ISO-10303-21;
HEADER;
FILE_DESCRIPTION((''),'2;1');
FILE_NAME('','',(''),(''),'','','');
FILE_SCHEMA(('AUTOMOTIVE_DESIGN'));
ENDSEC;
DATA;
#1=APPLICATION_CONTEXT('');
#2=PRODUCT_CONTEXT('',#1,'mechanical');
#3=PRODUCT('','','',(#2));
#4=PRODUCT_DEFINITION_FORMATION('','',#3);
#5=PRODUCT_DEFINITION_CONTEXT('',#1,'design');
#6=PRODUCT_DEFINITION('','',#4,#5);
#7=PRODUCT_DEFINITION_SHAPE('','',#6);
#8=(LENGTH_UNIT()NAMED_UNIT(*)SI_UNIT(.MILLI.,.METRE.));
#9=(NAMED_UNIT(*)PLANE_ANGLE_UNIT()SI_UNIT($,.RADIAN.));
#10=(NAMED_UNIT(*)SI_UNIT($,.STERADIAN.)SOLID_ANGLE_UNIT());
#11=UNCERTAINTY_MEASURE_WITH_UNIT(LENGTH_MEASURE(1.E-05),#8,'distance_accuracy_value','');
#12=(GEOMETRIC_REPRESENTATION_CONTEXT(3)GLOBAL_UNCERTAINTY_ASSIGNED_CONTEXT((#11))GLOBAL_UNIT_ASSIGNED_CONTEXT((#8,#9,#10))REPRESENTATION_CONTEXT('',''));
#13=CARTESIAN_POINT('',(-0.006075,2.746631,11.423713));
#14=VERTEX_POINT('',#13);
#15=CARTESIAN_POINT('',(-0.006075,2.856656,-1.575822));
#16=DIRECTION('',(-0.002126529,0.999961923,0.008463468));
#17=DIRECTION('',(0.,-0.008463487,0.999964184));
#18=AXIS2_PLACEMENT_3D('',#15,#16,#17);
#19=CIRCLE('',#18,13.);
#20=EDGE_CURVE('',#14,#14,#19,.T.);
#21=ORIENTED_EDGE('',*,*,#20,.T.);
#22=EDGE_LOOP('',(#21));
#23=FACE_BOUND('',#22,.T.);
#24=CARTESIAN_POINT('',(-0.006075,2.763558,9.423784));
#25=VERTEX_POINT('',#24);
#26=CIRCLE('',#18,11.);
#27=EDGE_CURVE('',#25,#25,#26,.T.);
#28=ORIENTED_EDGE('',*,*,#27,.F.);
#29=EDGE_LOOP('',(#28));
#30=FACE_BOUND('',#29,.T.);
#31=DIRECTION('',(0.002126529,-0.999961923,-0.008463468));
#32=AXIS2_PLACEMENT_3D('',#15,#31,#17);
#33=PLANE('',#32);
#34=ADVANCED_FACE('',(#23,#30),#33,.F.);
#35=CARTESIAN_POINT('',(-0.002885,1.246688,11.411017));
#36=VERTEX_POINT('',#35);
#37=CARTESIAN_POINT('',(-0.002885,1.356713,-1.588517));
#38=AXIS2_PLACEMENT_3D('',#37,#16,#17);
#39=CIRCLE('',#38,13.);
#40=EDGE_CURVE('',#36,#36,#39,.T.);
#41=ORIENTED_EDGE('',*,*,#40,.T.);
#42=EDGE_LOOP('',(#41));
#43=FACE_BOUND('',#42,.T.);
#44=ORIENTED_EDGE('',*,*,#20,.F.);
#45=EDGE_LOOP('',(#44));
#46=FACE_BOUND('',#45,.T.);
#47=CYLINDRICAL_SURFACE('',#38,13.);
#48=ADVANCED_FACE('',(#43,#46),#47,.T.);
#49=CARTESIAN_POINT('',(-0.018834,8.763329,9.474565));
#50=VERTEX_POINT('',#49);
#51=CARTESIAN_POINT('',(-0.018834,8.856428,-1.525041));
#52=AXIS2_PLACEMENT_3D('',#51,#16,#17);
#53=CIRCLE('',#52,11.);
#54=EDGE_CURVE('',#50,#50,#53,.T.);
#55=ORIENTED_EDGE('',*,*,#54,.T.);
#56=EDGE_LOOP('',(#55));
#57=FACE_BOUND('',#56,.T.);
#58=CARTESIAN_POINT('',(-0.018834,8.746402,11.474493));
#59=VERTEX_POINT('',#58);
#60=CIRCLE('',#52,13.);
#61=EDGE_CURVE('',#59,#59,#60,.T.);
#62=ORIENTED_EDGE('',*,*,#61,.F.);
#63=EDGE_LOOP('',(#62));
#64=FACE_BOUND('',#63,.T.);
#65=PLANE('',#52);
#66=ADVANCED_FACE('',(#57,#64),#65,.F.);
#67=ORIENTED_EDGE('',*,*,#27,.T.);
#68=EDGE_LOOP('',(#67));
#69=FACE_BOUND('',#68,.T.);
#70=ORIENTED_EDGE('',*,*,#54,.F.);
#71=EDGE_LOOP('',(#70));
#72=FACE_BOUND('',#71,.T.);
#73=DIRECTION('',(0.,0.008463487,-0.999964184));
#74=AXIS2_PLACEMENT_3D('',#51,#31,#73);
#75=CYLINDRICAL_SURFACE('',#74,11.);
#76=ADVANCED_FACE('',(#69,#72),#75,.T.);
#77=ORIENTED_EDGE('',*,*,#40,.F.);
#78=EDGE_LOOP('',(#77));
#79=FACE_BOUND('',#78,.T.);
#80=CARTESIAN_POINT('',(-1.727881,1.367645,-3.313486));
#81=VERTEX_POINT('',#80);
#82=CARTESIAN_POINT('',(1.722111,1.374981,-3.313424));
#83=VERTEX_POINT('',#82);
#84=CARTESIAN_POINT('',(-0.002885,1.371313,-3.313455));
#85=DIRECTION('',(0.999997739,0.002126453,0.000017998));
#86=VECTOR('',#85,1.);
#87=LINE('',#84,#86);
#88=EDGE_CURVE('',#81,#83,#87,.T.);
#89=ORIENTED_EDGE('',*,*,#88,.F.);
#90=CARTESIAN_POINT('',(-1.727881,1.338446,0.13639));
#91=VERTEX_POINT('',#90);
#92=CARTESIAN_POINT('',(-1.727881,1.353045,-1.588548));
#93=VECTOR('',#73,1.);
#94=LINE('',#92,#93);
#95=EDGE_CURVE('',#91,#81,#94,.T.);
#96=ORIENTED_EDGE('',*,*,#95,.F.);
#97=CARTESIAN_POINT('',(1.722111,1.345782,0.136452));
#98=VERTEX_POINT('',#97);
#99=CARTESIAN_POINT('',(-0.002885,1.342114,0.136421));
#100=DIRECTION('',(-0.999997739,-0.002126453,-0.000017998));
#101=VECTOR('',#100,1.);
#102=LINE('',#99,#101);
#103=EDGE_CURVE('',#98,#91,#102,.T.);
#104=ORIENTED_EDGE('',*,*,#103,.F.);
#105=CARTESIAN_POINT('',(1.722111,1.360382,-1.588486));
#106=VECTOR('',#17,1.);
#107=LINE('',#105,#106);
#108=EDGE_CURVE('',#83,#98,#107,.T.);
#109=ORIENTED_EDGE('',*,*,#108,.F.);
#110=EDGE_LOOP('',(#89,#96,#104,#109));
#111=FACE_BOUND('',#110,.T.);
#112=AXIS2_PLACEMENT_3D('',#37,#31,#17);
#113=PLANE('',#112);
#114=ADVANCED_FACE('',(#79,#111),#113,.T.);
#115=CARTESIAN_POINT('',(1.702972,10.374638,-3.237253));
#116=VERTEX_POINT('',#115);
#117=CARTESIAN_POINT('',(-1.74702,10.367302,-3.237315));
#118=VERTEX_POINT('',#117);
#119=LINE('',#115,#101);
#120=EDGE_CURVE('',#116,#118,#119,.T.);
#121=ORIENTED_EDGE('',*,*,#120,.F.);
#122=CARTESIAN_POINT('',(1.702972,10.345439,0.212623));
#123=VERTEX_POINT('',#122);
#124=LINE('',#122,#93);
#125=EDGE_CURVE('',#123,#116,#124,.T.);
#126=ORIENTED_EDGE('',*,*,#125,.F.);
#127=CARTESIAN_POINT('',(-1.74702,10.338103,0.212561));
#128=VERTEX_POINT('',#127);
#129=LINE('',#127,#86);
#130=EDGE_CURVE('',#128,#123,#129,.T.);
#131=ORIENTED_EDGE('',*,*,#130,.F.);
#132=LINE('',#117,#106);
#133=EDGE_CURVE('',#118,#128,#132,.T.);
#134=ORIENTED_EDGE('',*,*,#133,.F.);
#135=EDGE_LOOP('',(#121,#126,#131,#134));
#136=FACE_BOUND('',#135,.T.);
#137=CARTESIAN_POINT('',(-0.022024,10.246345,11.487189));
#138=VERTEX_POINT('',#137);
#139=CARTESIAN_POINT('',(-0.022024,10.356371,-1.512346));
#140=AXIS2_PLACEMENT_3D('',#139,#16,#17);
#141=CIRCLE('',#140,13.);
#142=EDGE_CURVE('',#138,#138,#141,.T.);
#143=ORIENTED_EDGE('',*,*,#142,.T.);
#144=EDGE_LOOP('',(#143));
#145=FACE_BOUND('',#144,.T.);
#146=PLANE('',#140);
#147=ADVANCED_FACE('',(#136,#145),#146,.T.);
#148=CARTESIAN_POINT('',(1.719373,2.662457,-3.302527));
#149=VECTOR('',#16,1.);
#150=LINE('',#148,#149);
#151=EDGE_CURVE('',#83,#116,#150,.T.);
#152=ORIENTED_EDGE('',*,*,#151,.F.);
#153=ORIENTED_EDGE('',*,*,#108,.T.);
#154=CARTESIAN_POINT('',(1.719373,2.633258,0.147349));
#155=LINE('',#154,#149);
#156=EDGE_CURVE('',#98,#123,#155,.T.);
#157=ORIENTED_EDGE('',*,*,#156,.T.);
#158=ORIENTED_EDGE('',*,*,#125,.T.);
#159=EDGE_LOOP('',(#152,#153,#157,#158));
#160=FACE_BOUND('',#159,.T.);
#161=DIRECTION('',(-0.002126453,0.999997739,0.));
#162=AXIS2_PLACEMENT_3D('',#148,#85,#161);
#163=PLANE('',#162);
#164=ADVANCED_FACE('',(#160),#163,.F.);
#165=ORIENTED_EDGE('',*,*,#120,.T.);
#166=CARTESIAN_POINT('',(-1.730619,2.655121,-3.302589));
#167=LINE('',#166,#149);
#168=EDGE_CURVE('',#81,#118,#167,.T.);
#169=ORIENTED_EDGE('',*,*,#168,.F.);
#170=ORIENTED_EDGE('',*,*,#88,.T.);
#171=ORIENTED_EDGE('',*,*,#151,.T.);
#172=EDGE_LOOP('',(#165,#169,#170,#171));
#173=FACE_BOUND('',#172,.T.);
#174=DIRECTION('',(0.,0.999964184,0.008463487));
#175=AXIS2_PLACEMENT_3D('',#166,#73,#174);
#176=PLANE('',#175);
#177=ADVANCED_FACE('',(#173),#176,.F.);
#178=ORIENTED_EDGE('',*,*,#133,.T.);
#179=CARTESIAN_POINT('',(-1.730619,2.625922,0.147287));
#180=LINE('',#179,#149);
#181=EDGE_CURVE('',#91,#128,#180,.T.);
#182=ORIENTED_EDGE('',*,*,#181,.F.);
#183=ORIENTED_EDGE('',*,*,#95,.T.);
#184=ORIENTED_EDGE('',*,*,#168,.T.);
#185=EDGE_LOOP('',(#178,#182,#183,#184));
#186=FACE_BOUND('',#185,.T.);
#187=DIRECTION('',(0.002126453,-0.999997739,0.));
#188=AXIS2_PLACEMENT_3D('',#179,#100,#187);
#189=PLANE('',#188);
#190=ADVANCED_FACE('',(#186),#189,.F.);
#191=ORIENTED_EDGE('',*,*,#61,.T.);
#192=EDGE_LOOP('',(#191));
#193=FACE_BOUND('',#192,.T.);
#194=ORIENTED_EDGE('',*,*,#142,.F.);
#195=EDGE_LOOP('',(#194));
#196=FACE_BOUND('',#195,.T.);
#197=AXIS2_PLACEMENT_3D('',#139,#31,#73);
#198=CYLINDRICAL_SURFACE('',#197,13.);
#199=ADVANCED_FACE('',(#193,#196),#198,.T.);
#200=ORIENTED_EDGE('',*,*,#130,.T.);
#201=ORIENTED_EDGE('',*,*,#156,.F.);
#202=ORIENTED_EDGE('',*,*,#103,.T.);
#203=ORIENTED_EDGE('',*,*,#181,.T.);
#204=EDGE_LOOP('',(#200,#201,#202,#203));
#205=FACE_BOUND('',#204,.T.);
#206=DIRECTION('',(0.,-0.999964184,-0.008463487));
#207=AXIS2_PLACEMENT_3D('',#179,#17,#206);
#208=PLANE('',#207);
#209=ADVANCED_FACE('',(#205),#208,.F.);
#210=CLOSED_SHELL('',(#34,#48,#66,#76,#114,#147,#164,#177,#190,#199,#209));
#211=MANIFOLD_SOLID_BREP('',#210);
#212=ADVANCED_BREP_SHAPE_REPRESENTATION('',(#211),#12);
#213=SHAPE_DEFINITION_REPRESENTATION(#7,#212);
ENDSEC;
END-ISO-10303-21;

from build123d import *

# Parameters (mm, degrees)
SKETCH2_R           = 11
BOSS_EXTRUDE1_DEPTH = 6
SKETCH3_W           = 3.45
SKETCH3_H           = 3.45
CUT_EXTRUDE1_DEPTH  = 18.841034143
SKETCH4_R           = 13
BOSS_EXTRUDE2_DEPTH = 1.5
SKETCH5_W           = 3.45
SKETCH5_H           = 3.45
CUT_EXTRUDE2_DEPTH  = 22.625712586


with BuildPart() as part:
    # Sketch2 → Boss-Extrude1 (new body)
    with BuildSketch(Plane(origin=(-0.006046198, 2.843115255, 0.024063532), x_dir=(0.9999977389340391, 0.002126453123543878, 1.7997853821493017e-05), z_dir=(-0.00212652928721231, 0.9999619230641714, 0.008463468260412206))):
        with Locations(Location((-2.8797e-05, 1.599942694, 0), (0, 0, 270))):
            Circle(SKETCH2_R)
    extrude(amount=BOSS_EXTRUDE1_DEPTH)

    # Sketch3 → Cut-Extrude1 (cut, through all)
    with BuildSketch(Plane(origin=(-0.018805374, 8.842886793, 0.074844342), x_dir=(0.9999977389340391, 0.002126453123543878, 1.7997853821493024e-05), z_dir=(-0.00212652928721231, 0.9999619230641714, 0.00846346826041221))):
        with Locations((-2.8797e-05, 1.599942694)):
            Rectangle(SKETCH3_W, SKETCH3_H)
    extrude(amount=-CUT_EXTRUDE1_DEPTH, mode=Mode.SUBTRACT)

    # Sketch4 → Boss-Extrude2 (add)
    with BuildSketch(Plane(origin=(-0.018805374, 8.842886793, 0.074844342), x_dir=(0.9999977389340391, 0.002126453123543878, 1.7997853821493024e-05), z_dir=(-0.00212652928721231, 0.9999619230641714, 0.00846346826041221))):
        with Locations(Location((-2.8797e-05, 1.599942694, 0), (0, 0, 270))):
            Circle(SKETCH4_R)
    boss_extrude2 = extrude(amount=BOSS_EXTRUDE2_DEPTH)

    # Mirror1: Boss-Extrude2 across plane
    add(boss_extrude2.mirror(Plane(origin=(-0.012425786, 5.843001024, 0.049453937), x_dir=(1.79984577561216e-05, -0.008463449122581367, 0.9999641842111171), z_dir=(0.00212652928721231, -0.9999619230641714, -0.00846346826041221))))

    # Sketch5 → Cut-Extrude2 (cut, through all)
    with BuildSketch(Plane(origin=(-0.021995168, 10.342829678, 0.087539544), x_dir=(0.9999977389340391, 0.002126453123543878, 1.799785382149303e-05), z_dir=(-0.00212652928721231, 0.9999619230641714, 0.008463468260412213))):
        with Locations((-2.8797e-05, 1.599942694)):
            Rectangle(SKETCH5_W, SKETCH5_H)
    extrude(amount=-CUT_EXTRUDE2_DEPTH, mode=Mode.SUBTRACT)


solid = part.part
